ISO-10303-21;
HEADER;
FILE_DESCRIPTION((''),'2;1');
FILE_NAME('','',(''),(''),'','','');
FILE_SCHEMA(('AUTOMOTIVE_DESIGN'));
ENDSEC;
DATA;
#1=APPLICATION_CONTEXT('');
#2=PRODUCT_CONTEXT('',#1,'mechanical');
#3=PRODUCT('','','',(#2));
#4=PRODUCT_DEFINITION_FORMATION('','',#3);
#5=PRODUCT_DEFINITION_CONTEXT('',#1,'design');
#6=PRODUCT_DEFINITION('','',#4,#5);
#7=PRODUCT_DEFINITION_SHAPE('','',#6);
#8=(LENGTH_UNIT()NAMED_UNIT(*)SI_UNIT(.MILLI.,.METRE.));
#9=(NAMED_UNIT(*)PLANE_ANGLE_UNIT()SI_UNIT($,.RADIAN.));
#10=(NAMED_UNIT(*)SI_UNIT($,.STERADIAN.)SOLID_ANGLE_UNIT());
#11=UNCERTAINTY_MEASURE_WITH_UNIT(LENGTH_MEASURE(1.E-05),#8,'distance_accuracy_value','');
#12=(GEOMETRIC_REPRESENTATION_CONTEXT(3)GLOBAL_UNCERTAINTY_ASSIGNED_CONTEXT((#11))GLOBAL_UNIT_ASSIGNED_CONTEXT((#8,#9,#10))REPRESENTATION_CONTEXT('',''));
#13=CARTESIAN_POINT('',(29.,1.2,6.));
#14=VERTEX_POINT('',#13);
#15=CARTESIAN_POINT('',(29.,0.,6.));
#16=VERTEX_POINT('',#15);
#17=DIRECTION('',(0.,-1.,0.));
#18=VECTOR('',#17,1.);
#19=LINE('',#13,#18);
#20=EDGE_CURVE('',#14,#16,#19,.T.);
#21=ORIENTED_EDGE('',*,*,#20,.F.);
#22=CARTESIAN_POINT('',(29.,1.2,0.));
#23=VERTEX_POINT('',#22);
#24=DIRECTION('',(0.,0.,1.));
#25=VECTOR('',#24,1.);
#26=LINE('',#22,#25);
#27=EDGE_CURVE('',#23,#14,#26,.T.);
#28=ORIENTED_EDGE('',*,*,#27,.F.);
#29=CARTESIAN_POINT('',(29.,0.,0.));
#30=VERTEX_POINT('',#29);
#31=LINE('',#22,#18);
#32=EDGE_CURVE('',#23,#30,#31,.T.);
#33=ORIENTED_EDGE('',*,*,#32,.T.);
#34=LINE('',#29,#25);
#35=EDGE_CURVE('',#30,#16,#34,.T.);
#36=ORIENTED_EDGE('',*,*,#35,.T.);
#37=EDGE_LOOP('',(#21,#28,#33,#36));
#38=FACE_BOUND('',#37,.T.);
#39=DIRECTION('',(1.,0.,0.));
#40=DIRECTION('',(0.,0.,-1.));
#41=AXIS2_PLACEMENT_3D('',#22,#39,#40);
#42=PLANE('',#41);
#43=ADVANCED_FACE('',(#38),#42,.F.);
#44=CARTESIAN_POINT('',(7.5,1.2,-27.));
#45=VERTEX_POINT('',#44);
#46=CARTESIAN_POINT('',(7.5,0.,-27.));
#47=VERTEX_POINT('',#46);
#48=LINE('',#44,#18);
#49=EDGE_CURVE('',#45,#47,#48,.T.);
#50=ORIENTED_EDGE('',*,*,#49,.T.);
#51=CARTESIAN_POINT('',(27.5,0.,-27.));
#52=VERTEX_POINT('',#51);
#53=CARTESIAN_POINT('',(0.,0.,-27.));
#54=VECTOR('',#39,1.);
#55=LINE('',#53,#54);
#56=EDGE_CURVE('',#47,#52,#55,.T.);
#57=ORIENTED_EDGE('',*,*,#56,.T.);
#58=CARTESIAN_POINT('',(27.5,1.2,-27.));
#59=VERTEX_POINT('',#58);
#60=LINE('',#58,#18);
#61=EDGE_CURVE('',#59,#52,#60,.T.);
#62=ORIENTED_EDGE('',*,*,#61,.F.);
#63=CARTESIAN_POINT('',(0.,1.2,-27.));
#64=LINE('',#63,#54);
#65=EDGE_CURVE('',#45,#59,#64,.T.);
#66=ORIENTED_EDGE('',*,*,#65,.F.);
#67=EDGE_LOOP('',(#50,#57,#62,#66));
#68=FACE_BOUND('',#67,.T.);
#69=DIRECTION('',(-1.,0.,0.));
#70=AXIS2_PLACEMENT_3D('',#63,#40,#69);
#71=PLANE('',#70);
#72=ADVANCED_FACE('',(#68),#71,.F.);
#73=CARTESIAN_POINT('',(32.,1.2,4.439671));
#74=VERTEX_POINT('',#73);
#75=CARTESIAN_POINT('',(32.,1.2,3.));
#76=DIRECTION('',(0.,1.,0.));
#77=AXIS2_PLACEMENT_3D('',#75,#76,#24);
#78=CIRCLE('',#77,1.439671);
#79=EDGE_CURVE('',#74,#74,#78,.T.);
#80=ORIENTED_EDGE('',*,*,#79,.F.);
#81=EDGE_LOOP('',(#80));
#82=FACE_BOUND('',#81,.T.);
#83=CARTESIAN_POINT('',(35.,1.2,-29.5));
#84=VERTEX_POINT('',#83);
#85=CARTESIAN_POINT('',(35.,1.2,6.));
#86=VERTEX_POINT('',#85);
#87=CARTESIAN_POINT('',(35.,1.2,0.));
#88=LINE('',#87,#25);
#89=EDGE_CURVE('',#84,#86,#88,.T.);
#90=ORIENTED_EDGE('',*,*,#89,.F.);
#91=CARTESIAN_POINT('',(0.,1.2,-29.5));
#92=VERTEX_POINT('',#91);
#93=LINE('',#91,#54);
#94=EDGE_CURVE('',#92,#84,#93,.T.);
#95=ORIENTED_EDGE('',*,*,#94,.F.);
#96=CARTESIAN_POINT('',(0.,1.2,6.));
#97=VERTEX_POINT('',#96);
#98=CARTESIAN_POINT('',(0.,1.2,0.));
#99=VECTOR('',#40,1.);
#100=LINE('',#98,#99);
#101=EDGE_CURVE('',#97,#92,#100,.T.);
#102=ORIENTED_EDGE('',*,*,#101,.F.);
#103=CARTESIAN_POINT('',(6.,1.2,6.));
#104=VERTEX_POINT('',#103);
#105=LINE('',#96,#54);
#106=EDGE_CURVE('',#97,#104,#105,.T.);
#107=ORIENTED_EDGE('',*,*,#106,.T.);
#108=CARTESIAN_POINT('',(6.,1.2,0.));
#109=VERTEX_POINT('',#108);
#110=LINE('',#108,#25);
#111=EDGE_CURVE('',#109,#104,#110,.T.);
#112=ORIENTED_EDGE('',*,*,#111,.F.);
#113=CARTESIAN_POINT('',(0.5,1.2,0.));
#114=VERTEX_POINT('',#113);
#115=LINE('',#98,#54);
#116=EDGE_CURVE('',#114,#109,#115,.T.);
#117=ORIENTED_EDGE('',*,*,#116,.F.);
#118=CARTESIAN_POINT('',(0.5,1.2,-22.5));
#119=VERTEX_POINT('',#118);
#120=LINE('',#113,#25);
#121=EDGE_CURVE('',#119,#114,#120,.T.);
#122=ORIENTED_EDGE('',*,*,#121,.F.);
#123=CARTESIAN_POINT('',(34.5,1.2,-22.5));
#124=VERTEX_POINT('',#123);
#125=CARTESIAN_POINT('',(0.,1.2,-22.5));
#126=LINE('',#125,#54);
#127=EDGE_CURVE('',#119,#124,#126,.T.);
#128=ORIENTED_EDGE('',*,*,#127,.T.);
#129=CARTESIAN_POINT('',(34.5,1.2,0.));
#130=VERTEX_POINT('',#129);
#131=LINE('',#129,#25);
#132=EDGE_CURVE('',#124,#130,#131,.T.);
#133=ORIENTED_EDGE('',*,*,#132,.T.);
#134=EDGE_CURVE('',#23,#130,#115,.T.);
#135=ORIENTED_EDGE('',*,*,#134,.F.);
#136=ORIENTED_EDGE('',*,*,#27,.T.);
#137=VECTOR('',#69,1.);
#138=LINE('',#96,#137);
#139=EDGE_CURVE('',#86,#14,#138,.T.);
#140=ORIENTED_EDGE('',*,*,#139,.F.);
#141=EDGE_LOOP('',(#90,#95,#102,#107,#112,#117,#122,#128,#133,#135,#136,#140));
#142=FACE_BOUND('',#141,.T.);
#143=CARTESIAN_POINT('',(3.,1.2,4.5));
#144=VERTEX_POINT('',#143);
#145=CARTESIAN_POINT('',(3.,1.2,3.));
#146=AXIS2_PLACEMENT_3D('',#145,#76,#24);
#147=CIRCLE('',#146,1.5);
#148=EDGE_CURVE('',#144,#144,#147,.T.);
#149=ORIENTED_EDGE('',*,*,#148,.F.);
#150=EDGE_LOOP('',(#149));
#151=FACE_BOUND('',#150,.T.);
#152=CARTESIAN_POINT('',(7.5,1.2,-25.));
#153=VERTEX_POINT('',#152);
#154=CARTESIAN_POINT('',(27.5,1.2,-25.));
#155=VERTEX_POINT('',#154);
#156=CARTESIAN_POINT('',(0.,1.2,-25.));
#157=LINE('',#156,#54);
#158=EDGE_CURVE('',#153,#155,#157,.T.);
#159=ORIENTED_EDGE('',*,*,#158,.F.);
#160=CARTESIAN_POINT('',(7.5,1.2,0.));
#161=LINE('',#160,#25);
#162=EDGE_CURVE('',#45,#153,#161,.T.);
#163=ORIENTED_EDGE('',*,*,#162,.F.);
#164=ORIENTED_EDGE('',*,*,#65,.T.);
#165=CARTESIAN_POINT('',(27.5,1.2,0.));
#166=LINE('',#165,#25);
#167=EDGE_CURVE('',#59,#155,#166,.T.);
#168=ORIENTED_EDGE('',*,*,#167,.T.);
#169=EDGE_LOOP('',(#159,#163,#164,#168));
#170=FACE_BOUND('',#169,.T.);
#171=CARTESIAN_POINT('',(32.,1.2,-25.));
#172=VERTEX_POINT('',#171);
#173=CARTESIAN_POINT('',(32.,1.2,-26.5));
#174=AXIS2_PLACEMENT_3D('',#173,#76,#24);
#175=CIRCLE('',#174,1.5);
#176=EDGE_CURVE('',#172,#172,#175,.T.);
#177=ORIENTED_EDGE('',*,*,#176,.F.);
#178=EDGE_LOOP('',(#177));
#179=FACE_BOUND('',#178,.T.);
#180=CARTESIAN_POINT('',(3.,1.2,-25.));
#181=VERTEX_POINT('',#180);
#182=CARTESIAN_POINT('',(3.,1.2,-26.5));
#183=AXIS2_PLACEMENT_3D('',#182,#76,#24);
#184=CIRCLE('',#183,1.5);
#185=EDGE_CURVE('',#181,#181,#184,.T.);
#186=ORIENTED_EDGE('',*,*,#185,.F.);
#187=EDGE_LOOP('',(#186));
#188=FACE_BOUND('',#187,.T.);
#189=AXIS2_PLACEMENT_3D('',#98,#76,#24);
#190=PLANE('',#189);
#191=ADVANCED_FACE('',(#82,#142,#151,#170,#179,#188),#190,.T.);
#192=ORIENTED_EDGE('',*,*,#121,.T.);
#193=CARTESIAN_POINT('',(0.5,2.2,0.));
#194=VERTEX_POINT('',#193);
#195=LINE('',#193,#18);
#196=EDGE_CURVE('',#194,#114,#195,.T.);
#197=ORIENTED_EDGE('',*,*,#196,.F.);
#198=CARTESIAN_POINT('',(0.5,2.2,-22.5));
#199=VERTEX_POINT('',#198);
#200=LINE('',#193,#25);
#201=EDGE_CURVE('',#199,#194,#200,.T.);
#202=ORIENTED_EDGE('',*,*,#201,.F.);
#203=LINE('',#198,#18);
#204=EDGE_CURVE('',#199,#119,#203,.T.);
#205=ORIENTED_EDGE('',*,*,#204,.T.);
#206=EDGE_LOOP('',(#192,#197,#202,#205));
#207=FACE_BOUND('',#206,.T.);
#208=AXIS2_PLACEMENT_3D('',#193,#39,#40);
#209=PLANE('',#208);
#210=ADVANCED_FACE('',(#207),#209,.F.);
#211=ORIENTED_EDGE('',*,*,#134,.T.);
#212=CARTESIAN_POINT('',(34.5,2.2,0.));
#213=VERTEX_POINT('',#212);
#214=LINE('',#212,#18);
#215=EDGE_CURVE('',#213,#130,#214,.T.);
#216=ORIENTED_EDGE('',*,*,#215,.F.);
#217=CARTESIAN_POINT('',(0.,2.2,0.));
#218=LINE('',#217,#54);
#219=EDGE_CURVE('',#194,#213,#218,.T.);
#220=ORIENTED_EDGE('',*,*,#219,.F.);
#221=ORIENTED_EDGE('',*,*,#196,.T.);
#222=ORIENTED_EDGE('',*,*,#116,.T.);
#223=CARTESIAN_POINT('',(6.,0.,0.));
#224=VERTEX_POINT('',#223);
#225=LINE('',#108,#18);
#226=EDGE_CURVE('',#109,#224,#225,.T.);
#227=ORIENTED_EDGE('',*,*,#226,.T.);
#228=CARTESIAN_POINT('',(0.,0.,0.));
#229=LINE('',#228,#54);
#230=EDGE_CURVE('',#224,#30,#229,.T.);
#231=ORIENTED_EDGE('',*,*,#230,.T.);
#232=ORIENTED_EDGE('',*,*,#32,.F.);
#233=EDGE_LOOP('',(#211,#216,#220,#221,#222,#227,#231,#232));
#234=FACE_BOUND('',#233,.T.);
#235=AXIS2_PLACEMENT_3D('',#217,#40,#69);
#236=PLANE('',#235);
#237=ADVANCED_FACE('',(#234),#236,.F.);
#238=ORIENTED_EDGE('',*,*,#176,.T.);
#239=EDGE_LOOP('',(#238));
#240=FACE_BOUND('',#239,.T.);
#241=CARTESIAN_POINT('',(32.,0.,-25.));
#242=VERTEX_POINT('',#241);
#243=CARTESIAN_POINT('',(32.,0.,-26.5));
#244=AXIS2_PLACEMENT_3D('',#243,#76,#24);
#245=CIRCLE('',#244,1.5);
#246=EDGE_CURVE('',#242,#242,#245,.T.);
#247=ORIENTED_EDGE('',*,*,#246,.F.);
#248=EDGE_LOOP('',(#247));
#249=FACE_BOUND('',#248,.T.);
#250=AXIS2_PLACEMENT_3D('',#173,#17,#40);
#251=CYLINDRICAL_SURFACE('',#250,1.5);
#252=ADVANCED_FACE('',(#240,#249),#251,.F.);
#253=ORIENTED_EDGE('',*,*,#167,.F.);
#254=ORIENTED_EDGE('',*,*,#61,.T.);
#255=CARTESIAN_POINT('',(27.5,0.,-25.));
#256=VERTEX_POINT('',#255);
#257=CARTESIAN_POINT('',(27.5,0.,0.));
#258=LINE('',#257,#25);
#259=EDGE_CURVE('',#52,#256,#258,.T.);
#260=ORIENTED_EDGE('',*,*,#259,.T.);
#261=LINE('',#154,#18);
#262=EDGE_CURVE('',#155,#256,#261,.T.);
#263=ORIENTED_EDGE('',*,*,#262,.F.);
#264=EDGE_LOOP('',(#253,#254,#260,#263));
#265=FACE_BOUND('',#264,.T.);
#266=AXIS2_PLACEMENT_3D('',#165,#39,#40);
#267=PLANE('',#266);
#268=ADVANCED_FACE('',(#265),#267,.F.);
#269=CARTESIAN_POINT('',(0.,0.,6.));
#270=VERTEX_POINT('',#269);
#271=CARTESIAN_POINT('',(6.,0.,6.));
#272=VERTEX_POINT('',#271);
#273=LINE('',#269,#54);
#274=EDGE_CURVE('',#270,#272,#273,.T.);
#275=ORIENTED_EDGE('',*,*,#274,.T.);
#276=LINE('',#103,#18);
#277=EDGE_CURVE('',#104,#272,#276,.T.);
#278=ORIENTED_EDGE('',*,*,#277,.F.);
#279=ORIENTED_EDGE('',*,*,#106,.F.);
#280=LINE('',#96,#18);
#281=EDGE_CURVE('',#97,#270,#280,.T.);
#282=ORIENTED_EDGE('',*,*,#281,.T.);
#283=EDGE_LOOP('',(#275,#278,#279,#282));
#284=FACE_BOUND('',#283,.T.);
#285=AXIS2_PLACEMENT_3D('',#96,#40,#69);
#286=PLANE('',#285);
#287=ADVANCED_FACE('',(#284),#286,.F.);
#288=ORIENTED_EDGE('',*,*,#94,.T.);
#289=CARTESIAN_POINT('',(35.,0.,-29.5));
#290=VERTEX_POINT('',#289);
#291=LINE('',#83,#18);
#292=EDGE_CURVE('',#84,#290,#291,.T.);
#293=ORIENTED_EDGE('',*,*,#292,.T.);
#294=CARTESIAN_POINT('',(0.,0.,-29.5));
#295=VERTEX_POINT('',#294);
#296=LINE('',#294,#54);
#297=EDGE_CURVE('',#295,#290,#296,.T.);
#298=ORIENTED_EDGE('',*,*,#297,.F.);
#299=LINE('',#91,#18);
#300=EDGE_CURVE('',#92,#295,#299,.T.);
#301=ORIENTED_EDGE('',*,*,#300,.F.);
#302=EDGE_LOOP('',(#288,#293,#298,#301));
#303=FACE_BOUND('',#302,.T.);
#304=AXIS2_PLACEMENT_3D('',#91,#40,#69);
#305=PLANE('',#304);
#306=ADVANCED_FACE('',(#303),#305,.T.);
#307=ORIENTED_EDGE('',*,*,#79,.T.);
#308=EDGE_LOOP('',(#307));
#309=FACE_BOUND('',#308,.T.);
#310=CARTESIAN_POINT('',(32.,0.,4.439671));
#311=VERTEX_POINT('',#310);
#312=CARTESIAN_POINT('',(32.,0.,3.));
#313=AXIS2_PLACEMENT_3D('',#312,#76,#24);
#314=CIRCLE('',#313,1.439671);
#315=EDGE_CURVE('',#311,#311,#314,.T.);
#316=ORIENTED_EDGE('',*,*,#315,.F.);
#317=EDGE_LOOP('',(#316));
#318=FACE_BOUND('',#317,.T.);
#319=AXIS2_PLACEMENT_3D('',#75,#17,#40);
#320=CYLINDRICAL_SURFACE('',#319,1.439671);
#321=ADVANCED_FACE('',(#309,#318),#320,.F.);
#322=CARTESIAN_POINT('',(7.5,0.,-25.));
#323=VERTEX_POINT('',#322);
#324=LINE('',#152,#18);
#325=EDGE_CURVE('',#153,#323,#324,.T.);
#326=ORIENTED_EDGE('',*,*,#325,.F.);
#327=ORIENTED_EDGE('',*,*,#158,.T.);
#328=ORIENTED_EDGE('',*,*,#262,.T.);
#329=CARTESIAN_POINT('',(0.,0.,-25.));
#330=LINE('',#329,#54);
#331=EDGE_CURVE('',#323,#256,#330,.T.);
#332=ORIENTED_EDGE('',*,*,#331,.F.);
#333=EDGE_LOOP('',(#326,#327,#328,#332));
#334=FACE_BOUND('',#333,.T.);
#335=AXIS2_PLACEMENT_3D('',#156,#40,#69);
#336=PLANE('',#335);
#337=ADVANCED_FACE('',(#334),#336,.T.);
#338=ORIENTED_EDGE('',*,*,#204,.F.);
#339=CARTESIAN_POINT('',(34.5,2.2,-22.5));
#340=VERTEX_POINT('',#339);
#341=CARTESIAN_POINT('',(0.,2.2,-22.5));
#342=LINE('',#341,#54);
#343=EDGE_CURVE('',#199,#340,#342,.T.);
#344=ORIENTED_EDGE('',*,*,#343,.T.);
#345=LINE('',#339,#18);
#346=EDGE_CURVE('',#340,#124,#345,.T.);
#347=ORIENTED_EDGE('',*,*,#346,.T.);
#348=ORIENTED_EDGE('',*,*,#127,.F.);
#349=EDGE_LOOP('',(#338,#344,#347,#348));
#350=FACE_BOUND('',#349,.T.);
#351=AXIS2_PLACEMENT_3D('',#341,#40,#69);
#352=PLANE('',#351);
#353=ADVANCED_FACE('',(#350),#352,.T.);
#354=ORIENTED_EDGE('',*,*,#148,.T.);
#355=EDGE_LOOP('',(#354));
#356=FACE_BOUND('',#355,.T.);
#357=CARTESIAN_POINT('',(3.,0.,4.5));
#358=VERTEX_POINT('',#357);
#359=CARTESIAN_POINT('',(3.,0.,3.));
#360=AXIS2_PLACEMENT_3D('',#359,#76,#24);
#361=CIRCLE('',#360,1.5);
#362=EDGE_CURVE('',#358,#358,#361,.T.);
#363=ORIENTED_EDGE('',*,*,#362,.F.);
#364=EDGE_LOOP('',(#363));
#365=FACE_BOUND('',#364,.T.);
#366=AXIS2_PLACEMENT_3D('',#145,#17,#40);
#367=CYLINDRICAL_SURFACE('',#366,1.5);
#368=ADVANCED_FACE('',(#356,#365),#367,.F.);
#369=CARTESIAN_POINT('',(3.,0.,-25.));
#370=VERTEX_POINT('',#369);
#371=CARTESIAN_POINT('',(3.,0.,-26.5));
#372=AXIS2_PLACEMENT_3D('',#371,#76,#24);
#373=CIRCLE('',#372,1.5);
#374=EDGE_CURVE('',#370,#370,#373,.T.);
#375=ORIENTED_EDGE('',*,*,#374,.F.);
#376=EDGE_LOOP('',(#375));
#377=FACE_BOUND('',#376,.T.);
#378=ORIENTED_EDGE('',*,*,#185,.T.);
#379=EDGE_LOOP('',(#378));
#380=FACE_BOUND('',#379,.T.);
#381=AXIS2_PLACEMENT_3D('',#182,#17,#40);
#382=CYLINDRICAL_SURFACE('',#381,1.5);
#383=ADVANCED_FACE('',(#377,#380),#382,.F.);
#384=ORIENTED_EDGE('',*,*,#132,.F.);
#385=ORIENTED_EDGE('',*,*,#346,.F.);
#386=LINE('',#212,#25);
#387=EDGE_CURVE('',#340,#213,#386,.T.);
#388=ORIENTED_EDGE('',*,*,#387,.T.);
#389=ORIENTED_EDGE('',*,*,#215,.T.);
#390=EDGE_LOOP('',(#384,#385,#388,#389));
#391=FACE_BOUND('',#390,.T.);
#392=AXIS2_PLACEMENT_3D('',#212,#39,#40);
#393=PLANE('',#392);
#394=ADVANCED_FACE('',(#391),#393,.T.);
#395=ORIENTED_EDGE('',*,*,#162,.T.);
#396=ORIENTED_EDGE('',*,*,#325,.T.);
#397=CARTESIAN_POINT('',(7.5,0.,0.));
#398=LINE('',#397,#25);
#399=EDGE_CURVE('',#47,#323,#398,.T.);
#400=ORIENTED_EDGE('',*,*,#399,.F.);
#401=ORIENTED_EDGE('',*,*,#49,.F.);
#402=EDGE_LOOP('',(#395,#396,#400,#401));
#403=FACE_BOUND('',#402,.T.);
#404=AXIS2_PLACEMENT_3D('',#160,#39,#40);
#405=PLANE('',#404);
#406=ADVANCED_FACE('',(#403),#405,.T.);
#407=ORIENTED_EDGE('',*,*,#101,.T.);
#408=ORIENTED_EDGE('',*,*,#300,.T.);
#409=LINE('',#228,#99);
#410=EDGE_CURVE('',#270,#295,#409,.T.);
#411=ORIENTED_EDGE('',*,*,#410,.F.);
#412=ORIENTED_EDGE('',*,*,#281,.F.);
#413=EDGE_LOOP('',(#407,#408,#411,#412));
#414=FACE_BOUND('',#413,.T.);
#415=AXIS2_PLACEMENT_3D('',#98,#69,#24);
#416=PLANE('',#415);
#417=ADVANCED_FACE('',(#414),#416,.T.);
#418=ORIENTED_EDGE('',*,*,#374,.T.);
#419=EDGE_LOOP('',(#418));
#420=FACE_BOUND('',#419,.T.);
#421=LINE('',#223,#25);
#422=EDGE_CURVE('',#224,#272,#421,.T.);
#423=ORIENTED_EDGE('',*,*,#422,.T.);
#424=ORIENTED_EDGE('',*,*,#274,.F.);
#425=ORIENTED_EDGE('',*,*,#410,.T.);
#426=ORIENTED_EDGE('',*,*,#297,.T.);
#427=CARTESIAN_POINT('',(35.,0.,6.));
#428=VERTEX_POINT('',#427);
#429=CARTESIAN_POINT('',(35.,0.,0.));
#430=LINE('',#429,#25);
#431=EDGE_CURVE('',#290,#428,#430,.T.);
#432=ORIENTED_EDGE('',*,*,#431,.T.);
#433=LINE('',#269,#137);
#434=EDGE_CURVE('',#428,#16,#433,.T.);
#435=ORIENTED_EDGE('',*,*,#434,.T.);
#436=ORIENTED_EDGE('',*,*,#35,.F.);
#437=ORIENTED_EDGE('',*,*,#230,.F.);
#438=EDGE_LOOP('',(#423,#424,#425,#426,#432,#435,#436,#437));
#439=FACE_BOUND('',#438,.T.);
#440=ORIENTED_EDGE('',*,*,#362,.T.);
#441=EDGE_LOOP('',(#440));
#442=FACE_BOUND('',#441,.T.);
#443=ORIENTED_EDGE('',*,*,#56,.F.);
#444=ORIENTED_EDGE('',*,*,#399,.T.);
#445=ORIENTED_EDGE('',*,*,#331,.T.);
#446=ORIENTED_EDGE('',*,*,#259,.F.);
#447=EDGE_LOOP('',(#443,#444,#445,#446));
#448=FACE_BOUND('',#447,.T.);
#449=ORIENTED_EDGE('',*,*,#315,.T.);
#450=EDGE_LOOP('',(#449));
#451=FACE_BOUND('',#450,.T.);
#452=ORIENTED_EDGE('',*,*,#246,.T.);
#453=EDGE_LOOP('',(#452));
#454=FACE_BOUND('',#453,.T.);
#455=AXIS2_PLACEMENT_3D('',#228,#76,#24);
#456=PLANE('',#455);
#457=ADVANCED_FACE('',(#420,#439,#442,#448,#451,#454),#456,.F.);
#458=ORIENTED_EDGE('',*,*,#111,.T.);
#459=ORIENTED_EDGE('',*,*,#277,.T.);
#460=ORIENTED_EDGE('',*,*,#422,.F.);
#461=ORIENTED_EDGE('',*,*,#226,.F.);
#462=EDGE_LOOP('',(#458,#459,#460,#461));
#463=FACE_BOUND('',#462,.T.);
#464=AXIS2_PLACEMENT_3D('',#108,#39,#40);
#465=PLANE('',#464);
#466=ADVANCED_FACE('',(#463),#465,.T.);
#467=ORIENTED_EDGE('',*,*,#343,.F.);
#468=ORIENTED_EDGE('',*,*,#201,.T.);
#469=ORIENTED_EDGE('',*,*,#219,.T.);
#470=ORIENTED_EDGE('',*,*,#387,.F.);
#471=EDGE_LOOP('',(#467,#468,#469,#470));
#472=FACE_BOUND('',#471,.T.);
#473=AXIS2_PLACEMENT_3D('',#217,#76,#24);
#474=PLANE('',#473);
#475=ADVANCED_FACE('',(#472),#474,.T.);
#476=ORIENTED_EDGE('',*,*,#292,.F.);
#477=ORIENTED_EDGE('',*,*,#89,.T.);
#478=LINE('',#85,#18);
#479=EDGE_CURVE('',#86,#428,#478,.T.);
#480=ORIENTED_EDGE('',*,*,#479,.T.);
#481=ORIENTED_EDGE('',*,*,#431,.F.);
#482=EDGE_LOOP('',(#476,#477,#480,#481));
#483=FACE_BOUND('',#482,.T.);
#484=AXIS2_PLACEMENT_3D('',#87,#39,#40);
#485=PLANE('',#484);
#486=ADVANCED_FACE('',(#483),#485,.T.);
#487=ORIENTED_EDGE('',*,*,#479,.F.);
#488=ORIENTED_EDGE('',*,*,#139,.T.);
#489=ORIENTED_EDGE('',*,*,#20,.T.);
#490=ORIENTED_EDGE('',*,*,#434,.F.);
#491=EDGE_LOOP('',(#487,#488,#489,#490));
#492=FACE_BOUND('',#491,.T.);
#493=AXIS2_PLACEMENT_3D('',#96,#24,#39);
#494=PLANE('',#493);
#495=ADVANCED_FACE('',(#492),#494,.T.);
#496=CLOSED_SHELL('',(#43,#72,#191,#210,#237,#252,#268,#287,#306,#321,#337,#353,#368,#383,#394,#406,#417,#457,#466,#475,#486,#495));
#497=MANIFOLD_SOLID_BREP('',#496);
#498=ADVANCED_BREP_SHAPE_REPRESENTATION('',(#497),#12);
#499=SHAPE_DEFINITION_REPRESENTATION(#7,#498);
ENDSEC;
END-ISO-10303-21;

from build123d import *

# Parameters (mm, degrees)
SKETCH1_R           = 1.5
SKETCH1_W           = 20
SKETCH1_H           = 2
SKETCH1_R_2         = 1.439670622
BOSS_EXTRUDE3_DEPTH = 1.2
BOSS_EXTRUDE4_DEPTH = 2.2


with BuildPart() as part:
    # Sketch1 → Boss-Extrude3 (new body)
    with BuildSketch(Plane(origin=(0, 0, 0), x_dir=(1, 0, 0), z_dir=(0, 1, 0))):
        Polygon((0, 29.5), (0, -6), (6, -6), (6, 0), (0.5, 0), (0.5, 22.5), (34.5, 22.5), (34.5, 0), (29, 0), (29, -6), (35, -6), (35, 29.5), align=None)
        with Locations((3, 26.5)):
            Circle(SKETCH1_R, mode=Mode.SUBTRACT)
        with Locations((17.5, 26)):
            Rectangle(SKETCH1_W, SKETCH1_H, mode=Mode.SUBTRACT)
        with Locations((32, 26.5)):
            Circle(SKETCH1_R, mode=Mode.SUBTRACT)
        with Locations((32, -3)):
            Circle(SKETCH1_R_2, mode=Mode.SUBTRACT)
        with Locations((3, -3)):
            Circle(SKETCH1_R, mode=Mode.SUBTRACT)
    extrude(amount=BOSS_EXTRUDE3_DEPTH)

    # Sketch1<7> → Boss-Extrude4 (add)
    with BuildSketch(Plane(origin=(0, 0, 0), x_dir=(1, 0, 0), z_dir=(0, 1, 0))):
        Polygon((0.5, 22.5), (0.5, 0), (6, 0), (29, 0), (34.5, 0), (34.5, 22.5), align=None)
    extrude(amount=BOSS_EXTRUDE4_DEPTH)


solid = part.part
